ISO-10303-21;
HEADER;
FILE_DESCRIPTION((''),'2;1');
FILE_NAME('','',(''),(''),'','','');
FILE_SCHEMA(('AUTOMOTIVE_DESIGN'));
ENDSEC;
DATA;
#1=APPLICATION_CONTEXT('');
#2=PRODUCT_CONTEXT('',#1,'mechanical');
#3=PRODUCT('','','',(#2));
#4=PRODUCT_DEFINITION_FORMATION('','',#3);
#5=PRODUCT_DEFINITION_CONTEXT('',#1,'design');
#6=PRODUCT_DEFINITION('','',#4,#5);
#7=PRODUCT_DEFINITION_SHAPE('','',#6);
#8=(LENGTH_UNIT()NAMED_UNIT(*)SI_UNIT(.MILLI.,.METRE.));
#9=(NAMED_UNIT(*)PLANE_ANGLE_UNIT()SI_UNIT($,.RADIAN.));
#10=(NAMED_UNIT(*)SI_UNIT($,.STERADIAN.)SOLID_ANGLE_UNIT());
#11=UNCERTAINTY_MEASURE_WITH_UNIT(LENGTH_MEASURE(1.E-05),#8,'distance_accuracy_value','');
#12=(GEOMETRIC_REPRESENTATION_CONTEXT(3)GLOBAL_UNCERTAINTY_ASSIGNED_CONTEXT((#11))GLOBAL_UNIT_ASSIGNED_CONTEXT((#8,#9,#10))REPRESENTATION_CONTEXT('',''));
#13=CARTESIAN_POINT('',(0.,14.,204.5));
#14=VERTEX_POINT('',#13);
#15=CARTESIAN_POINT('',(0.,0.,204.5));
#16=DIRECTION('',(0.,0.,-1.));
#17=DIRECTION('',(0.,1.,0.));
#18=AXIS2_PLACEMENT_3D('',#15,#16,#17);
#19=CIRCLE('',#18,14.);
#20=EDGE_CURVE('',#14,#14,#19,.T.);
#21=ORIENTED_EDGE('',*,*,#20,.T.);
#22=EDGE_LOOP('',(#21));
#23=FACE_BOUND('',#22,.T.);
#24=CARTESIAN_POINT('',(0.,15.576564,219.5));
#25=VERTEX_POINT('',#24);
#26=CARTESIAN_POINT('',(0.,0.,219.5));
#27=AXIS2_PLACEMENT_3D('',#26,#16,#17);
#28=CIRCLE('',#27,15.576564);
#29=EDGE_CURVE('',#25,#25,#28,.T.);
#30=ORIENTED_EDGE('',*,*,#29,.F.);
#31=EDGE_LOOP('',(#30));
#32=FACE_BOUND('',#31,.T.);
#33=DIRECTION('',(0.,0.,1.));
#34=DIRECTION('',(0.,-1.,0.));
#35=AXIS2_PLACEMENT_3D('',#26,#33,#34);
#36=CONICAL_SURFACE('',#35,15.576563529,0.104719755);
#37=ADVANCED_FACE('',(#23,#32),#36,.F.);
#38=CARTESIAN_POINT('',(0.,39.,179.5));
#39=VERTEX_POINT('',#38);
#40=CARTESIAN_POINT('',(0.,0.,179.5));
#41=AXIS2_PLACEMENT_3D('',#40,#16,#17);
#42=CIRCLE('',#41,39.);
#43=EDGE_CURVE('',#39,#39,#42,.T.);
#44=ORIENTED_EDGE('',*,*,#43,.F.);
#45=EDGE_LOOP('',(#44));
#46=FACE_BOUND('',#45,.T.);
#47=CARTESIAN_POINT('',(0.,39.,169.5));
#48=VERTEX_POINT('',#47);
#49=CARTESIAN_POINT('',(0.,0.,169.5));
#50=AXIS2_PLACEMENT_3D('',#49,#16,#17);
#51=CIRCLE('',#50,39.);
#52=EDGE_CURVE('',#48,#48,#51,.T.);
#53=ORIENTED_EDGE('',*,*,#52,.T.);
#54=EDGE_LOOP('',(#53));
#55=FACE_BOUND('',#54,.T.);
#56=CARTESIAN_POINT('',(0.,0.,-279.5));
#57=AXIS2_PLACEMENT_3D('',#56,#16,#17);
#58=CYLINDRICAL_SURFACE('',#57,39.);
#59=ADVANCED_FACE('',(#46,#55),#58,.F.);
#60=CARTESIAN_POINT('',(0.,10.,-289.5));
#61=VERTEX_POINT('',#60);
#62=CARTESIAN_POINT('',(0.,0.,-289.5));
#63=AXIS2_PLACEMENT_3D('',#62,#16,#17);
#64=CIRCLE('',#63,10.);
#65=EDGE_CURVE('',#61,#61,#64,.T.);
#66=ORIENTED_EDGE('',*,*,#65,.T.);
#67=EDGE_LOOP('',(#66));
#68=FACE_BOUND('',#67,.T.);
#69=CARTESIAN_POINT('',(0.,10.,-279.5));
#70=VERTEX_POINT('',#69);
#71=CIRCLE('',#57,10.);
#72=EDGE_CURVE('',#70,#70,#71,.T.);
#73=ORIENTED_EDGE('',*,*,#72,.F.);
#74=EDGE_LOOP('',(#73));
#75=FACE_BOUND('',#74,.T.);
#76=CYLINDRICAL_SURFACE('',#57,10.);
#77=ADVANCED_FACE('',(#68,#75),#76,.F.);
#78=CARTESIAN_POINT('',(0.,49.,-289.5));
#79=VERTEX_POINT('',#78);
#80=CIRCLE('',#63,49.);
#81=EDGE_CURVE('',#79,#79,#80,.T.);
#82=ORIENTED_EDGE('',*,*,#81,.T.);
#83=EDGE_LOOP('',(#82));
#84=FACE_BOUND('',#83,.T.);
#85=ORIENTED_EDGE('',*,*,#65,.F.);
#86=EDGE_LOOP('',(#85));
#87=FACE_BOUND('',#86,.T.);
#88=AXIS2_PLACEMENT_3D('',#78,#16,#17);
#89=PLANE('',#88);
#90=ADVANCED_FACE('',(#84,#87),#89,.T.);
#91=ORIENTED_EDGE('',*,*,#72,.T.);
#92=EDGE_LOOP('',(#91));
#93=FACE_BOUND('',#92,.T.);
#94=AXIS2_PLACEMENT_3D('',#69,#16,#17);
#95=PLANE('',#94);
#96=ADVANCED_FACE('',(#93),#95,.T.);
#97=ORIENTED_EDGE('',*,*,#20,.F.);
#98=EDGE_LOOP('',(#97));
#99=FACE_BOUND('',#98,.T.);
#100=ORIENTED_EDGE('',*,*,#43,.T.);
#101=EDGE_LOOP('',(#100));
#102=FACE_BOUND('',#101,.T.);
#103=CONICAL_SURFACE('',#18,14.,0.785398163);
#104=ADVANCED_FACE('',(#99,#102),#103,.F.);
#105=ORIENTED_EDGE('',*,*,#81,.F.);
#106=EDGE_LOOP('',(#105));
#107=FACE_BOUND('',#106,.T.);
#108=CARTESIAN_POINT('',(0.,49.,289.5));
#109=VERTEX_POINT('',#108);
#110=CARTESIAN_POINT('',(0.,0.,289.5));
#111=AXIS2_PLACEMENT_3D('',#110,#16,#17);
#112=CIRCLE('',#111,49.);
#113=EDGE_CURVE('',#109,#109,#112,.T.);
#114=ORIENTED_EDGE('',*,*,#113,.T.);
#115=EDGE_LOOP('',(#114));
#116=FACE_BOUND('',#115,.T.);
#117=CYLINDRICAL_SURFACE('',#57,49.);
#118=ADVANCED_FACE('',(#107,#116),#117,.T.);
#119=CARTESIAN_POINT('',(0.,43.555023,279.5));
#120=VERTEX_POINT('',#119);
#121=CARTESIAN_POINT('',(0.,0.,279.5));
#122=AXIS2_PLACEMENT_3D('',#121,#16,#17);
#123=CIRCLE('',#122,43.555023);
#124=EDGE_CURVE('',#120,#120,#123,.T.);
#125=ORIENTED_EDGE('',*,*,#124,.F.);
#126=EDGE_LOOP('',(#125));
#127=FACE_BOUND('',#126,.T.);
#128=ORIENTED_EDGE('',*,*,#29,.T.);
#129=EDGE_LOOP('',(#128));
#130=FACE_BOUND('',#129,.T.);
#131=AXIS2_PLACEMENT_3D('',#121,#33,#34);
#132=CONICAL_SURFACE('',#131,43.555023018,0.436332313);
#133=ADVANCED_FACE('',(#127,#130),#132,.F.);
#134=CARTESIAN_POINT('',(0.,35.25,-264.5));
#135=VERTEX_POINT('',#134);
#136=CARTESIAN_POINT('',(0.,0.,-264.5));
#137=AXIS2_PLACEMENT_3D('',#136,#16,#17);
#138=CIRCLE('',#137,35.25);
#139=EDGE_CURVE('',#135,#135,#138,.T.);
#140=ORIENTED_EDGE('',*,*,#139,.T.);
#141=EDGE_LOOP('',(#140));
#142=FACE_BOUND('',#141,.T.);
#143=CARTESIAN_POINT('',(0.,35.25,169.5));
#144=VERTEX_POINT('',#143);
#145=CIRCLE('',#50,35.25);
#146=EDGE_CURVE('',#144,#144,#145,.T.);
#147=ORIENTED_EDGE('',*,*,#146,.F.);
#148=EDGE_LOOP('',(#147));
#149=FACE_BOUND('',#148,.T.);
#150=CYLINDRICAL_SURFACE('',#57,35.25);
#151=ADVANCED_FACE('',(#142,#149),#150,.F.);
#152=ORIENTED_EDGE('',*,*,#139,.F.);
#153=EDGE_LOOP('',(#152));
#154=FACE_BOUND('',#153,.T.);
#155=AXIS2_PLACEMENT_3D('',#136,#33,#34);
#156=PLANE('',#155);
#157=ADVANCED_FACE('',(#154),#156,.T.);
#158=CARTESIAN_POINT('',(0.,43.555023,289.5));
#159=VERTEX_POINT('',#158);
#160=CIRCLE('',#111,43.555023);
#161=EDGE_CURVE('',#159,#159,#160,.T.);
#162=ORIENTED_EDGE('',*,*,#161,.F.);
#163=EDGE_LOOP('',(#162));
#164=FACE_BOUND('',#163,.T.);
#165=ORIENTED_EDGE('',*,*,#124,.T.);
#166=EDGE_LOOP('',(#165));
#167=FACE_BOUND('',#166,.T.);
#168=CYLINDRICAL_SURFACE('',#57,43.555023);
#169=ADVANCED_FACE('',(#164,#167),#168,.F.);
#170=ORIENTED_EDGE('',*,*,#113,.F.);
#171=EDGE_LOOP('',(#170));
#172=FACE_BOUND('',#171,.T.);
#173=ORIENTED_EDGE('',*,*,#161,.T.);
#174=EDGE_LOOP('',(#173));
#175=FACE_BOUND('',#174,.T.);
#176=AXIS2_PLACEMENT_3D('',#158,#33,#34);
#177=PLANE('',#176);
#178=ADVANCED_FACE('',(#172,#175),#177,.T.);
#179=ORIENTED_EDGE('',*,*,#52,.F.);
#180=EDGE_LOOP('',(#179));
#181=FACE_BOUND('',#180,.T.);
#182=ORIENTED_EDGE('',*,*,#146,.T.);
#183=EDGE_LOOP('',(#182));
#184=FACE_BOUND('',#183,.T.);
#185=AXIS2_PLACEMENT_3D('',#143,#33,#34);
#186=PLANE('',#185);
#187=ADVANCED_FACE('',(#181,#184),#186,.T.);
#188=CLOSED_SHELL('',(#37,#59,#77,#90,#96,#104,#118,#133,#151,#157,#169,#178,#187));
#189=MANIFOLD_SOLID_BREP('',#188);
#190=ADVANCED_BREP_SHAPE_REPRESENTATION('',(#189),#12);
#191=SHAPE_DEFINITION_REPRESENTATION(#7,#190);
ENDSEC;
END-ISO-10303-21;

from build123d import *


with BuildPart() as part:
    # Sketch1 → Revolve1 (revolve)
    with BuildSketch(Plane(origin=(0, 0, 0), x_dir=(0, 0, -1), z_dir=(1, 0, 0))):
        Polygon((-289.5, 49), (289.5, 49), (289.5, 10), (279.5, 10), (279.5, 0), (264.5, 0), (264.5, 35.25), (-169.5, 35.25), (-169.5, 39), (-179.5, 39), (-204.5, 14), (-219.5, 15.576563529), (-279.5, 43.555023018), (-289.5, 43.555023018), align=None)
    revolve(axis=Axis((0, 0, -279.5), (0, 0, 1)))


solid = part.part
